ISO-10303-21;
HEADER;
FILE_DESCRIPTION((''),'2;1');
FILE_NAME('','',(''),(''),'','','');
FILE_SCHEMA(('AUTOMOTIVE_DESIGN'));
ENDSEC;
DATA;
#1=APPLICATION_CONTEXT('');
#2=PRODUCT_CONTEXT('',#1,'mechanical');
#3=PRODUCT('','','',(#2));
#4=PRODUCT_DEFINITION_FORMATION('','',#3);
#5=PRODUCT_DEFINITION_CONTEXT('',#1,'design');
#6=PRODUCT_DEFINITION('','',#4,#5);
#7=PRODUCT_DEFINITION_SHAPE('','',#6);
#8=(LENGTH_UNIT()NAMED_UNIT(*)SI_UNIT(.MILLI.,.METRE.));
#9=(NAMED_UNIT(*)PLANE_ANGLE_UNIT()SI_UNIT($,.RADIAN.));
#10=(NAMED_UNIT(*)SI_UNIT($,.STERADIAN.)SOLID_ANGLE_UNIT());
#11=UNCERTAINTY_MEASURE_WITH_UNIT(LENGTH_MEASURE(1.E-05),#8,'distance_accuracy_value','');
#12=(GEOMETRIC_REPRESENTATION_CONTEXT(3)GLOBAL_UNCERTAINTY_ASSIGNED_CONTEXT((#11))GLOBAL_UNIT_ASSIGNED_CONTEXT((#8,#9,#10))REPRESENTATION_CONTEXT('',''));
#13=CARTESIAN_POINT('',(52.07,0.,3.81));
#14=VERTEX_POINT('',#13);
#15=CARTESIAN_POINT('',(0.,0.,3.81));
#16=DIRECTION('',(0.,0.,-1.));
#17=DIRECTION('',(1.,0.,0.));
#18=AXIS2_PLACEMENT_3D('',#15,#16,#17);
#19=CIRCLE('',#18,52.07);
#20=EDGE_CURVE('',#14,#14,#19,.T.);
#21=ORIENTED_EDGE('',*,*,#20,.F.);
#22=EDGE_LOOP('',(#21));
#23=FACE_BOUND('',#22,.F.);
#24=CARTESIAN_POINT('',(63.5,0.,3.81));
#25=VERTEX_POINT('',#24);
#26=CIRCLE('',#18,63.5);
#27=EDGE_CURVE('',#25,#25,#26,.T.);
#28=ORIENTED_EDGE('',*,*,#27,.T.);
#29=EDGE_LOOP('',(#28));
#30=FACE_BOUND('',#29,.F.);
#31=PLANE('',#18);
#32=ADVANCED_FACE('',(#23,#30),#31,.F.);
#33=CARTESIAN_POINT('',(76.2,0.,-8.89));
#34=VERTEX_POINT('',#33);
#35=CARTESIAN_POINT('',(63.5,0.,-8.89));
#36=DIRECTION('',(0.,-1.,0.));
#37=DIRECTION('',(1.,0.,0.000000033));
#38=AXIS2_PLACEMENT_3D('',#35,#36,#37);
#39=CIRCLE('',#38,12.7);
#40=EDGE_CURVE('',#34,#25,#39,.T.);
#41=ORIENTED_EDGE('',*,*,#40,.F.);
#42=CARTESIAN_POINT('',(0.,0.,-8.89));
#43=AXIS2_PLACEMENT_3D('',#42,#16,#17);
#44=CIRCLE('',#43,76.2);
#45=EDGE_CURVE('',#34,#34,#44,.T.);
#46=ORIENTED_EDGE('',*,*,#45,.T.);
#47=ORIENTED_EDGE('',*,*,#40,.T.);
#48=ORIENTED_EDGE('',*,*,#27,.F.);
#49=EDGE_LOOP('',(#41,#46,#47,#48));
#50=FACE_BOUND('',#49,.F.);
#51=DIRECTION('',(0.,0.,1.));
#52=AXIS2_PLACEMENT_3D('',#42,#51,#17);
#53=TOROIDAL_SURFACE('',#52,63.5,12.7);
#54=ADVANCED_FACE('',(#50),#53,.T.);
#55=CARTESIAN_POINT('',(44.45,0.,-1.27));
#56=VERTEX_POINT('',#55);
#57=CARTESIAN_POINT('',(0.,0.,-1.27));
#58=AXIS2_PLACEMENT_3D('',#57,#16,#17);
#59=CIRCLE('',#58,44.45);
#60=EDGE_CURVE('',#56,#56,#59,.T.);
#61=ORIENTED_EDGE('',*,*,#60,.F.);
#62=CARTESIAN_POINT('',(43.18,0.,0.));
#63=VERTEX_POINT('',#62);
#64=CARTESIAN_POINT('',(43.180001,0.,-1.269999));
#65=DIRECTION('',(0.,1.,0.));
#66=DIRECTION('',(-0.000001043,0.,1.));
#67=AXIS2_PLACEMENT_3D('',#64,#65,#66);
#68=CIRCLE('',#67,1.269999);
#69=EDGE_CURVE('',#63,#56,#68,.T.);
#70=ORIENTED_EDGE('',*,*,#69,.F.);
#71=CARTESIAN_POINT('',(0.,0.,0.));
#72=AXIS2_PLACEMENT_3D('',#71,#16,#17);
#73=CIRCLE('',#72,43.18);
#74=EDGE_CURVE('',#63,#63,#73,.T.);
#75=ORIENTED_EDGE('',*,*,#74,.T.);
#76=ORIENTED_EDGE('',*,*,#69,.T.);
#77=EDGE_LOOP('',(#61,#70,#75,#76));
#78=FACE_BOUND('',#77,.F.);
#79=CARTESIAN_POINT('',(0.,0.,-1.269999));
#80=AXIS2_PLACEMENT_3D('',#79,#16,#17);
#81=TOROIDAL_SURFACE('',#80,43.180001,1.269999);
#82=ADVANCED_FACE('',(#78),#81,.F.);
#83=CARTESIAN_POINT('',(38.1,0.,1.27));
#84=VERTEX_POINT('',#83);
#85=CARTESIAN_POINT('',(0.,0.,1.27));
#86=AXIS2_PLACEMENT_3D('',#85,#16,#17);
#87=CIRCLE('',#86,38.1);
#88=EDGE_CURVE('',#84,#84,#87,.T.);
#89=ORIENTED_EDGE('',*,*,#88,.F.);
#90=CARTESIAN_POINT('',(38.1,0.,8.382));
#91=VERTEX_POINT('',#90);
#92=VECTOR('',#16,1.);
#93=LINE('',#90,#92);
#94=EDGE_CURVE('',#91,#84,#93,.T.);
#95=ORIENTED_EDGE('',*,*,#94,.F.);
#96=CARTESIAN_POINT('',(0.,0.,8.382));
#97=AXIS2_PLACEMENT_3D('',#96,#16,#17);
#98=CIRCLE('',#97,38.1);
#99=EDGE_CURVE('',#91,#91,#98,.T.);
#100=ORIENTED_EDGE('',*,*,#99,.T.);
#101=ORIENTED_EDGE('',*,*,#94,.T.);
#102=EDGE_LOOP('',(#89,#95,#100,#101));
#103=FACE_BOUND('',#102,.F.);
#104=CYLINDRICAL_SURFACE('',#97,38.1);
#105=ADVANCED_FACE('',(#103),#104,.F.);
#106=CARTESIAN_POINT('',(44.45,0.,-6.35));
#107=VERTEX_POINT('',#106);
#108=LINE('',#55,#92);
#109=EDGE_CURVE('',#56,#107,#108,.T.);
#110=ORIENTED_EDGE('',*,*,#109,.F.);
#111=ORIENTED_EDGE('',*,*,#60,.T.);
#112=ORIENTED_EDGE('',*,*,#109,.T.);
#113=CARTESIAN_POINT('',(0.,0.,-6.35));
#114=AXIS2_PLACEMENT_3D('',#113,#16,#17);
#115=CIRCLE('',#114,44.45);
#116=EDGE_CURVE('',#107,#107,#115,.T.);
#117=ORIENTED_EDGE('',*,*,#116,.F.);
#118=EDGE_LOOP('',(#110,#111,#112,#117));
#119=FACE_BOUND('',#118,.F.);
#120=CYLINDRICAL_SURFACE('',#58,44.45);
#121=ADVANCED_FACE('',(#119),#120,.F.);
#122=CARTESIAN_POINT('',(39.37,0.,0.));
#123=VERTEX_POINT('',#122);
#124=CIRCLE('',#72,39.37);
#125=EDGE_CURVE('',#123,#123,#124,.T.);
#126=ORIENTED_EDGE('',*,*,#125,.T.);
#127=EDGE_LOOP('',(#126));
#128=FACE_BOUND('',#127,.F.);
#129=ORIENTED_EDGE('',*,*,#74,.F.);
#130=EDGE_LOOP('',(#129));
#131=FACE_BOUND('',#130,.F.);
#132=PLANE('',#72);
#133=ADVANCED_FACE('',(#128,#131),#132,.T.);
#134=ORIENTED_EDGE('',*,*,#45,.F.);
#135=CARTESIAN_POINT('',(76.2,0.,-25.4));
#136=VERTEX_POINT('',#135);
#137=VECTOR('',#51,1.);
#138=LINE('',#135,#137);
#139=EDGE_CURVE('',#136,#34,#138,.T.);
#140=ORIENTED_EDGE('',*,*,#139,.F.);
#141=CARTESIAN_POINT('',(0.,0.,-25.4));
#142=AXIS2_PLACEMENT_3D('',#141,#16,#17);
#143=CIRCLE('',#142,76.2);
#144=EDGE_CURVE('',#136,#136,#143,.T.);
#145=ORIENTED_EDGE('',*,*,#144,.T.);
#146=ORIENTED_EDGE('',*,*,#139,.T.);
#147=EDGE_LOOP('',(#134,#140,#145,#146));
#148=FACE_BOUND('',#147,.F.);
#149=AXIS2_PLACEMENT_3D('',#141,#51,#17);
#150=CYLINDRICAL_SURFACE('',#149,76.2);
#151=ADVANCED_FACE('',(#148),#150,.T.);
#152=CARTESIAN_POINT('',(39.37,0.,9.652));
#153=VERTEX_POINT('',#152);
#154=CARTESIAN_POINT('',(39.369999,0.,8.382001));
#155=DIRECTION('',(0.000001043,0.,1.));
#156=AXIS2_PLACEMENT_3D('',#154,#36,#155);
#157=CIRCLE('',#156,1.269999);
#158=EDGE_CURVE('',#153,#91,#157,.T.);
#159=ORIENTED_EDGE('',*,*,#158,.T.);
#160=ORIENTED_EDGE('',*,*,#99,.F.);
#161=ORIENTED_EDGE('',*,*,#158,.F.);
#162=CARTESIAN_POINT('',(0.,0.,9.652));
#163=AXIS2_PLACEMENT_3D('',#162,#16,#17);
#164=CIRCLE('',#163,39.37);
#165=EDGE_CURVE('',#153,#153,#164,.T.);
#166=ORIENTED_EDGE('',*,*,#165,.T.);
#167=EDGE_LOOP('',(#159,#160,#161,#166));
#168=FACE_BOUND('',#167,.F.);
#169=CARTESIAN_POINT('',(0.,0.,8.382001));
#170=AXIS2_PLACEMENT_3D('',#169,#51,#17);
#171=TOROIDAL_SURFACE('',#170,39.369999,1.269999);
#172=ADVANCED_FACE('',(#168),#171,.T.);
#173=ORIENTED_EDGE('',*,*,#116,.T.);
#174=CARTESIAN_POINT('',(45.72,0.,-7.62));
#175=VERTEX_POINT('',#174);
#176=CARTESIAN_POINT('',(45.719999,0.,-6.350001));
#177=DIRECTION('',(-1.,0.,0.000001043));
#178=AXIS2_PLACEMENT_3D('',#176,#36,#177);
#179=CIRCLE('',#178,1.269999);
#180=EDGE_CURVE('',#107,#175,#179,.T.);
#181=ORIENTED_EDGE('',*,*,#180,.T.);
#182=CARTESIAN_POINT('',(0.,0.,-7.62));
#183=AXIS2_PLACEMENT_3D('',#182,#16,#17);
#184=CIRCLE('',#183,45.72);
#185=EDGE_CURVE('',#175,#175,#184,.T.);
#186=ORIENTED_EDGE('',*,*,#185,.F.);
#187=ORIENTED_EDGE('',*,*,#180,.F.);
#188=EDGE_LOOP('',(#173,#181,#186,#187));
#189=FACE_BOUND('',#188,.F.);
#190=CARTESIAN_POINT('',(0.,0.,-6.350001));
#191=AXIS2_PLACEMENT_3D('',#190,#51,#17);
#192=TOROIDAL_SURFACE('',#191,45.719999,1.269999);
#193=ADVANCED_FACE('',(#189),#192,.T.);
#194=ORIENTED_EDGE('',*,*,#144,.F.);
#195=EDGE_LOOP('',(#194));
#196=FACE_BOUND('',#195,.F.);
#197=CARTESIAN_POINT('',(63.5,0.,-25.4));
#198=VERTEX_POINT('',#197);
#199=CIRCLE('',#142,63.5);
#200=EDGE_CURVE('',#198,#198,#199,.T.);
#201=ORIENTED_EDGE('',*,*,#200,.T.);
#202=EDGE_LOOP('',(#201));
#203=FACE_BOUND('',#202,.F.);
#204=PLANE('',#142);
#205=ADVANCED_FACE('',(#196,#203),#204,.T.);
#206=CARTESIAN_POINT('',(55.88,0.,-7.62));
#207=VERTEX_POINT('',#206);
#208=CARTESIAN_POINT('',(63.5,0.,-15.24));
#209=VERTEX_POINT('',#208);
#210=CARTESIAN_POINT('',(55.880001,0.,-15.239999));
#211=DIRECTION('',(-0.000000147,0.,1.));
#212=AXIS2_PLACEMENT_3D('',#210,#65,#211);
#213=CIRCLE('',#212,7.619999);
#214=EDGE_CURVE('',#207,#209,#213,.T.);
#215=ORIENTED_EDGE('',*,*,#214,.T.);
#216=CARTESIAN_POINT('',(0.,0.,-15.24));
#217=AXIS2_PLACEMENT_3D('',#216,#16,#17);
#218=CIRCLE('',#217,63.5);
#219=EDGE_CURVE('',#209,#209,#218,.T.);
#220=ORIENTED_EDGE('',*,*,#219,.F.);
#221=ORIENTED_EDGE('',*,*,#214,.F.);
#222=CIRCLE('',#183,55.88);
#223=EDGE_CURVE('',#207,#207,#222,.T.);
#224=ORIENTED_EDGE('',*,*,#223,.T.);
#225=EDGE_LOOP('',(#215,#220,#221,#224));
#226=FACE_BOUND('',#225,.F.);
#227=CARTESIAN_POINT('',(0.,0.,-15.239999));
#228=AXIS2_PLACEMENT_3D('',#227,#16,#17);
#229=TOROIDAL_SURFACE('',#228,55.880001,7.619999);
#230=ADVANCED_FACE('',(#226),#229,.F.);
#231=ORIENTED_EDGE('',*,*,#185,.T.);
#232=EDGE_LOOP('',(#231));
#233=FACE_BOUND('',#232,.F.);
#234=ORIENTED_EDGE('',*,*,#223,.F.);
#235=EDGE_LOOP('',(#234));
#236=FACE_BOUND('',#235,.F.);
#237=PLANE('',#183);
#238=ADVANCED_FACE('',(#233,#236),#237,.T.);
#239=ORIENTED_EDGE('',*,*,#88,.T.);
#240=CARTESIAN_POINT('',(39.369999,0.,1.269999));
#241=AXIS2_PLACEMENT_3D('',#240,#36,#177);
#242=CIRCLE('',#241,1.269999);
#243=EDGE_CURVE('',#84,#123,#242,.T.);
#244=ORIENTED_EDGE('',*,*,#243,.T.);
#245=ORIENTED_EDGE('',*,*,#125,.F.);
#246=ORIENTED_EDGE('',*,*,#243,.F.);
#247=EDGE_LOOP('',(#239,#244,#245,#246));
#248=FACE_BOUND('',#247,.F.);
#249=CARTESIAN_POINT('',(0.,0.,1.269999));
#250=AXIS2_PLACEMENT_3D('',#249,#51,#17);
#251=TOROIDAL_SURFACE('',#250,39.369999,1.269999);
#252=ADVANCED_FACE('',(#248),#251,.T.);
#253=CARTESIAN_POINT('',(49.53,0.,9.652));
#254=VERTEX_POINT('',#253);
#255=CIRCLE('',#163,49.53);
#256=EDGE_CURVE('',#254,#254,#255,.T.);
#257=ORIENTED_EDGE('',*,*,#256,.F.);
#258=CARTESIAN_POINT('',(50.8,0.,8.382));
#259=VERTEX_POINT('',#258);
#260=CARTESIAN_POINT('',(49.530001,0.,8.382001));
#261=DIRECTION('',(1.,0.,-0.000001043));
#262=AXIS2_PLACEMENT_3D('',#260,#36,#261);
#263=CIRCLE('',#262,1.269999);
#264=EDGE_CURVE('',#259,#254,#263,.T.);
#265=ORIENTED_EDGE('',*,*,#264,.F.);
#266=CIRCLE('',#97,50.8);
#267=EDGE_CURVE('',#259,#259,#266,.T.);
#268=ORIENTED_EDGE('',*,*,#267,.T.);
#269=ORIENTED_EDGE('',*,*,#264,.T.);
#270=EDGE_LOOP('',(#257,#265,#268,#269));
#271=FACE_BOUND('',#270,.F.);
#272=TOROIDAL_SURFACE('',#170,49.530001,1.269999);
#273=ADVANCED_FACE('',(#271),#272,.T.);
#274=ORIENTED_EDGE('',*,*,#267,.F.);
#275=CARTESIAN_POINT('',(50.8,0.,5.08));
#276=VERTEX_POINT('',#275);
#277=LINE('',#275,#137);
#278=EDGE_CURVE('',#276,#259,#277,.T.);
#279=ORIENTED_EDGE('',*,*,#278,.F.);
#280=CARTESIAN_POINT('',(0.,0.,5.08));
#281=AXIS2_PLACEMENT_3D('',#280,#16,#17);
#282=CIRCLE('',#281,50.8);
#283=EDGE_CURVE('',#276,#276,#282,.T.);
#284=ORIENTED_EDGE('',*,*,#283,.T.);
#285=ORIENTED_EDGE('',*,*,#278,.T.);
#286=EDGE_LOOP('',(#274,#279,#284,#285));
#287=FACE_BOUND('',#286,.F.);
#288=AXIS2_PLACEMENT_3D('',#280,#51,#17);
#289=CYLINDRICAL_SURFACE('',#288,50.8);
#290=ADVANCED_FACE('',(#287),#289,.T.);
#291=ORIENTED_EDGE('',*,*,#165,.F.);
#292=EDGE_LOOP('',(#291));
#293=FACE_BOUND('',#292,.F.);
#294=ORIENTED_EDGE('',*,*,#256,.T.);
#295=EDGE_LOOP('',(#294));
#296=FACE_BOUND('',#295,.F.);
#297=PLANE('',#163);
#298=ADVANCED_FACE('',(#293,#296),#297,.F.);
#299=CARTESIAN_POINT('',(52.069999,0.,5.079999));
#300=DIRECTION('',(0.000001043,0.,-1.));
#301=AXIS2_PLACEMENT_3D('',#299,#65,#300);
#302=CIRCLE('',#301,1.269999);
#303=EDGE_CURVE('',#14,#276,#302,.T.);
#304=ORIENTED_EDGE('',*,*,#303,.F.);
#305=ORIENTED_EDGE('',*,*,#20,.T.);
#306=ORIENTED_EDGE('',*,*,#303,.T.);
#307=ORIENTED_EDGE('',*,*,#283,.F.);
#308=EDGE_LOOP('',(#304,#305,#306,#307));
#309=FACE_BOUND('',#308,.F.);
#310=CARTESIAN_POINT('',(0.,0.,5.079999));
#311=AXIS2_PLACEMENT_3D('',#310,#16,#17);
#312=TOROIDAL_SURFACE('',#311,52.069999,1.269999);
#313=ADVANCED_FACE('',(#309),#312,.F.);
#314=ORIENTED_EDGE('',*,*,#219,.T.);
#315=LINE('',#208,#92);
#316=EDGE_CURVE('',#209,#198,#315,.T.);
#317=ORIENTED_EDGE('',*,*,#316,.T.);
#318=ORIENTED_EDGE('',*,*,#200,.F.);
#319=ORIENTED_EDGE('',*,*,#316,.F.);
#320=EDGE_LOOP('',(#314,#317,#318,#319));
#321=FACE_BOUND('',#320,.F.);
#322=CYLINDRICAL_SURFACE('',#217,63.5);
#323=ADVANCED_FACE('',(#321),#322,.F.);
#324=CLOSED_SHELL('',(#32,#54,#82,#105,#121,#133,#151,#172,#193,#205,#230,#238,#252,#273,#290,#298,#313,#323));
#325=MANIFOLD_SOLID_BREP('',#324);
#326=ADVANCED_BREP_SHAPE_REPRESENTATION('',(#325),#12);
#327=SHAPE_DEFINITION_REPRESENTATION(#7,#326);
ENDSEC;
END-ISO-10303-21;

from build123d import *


with BuildPart() as f1:
    # F0 (on Front) → F1 (revolve)
    with BuildSketch(Plane.XZ):
        with BuildLine():
            Line((38.1, 8.382), (38.1, 1.27))
            ThreePointArc((38.1, 1.27), (38.471974, 0.371974), (39.37, 0))
            Line((39.37, 0), (43.18, 0))
            ThreePointArc((43.18, 0), (44.078026, -0.371974), (44.45, -1.27))
            Line((44.45, -1.27), (44.45, -6.35))
            ThreePointArc((44.45, -6.35), (44.821974, -7.248026), (45.72, -7.62))
            Line((45.72, -7.62), (55.88, -7.62))
            ThreePointArc((55.88, -7.62), (61.268154, -9.851846), (63.5, -15.24))
            Line((63.5, -15.24), (63.5, -25.4))
            Line((63.5, -25.4), (76.2, -25.4))
            Line((76.2, -25.4), (76.2, -8.89))
            ThreePointArc((76.2, -8.89), (72.480256, 0.090256), (63.5, 3.81))
            Line((63.5, 3.81), (52.07, 3.81))
            ThreePointArc((52.07, 3.81), (51.171974, 4.181974), (50.8, 5.08))
            Line((50.8, 5.08), (50.8, 8.382))
            ThreePointArc((50.8, 8.382), (50.428026, 9.280026), (49.53, 9.652))
            Line((49.53, 9.652), (39.37, 9.652))
            ThreePointArc((39.37, 9.652), (38.471974, 9.280026), (38.1, 8.382))
        make_face()
    revolve(axis=Axis((0, 0, -7.769779), (0, 0, -1)))


solid = f1.part
